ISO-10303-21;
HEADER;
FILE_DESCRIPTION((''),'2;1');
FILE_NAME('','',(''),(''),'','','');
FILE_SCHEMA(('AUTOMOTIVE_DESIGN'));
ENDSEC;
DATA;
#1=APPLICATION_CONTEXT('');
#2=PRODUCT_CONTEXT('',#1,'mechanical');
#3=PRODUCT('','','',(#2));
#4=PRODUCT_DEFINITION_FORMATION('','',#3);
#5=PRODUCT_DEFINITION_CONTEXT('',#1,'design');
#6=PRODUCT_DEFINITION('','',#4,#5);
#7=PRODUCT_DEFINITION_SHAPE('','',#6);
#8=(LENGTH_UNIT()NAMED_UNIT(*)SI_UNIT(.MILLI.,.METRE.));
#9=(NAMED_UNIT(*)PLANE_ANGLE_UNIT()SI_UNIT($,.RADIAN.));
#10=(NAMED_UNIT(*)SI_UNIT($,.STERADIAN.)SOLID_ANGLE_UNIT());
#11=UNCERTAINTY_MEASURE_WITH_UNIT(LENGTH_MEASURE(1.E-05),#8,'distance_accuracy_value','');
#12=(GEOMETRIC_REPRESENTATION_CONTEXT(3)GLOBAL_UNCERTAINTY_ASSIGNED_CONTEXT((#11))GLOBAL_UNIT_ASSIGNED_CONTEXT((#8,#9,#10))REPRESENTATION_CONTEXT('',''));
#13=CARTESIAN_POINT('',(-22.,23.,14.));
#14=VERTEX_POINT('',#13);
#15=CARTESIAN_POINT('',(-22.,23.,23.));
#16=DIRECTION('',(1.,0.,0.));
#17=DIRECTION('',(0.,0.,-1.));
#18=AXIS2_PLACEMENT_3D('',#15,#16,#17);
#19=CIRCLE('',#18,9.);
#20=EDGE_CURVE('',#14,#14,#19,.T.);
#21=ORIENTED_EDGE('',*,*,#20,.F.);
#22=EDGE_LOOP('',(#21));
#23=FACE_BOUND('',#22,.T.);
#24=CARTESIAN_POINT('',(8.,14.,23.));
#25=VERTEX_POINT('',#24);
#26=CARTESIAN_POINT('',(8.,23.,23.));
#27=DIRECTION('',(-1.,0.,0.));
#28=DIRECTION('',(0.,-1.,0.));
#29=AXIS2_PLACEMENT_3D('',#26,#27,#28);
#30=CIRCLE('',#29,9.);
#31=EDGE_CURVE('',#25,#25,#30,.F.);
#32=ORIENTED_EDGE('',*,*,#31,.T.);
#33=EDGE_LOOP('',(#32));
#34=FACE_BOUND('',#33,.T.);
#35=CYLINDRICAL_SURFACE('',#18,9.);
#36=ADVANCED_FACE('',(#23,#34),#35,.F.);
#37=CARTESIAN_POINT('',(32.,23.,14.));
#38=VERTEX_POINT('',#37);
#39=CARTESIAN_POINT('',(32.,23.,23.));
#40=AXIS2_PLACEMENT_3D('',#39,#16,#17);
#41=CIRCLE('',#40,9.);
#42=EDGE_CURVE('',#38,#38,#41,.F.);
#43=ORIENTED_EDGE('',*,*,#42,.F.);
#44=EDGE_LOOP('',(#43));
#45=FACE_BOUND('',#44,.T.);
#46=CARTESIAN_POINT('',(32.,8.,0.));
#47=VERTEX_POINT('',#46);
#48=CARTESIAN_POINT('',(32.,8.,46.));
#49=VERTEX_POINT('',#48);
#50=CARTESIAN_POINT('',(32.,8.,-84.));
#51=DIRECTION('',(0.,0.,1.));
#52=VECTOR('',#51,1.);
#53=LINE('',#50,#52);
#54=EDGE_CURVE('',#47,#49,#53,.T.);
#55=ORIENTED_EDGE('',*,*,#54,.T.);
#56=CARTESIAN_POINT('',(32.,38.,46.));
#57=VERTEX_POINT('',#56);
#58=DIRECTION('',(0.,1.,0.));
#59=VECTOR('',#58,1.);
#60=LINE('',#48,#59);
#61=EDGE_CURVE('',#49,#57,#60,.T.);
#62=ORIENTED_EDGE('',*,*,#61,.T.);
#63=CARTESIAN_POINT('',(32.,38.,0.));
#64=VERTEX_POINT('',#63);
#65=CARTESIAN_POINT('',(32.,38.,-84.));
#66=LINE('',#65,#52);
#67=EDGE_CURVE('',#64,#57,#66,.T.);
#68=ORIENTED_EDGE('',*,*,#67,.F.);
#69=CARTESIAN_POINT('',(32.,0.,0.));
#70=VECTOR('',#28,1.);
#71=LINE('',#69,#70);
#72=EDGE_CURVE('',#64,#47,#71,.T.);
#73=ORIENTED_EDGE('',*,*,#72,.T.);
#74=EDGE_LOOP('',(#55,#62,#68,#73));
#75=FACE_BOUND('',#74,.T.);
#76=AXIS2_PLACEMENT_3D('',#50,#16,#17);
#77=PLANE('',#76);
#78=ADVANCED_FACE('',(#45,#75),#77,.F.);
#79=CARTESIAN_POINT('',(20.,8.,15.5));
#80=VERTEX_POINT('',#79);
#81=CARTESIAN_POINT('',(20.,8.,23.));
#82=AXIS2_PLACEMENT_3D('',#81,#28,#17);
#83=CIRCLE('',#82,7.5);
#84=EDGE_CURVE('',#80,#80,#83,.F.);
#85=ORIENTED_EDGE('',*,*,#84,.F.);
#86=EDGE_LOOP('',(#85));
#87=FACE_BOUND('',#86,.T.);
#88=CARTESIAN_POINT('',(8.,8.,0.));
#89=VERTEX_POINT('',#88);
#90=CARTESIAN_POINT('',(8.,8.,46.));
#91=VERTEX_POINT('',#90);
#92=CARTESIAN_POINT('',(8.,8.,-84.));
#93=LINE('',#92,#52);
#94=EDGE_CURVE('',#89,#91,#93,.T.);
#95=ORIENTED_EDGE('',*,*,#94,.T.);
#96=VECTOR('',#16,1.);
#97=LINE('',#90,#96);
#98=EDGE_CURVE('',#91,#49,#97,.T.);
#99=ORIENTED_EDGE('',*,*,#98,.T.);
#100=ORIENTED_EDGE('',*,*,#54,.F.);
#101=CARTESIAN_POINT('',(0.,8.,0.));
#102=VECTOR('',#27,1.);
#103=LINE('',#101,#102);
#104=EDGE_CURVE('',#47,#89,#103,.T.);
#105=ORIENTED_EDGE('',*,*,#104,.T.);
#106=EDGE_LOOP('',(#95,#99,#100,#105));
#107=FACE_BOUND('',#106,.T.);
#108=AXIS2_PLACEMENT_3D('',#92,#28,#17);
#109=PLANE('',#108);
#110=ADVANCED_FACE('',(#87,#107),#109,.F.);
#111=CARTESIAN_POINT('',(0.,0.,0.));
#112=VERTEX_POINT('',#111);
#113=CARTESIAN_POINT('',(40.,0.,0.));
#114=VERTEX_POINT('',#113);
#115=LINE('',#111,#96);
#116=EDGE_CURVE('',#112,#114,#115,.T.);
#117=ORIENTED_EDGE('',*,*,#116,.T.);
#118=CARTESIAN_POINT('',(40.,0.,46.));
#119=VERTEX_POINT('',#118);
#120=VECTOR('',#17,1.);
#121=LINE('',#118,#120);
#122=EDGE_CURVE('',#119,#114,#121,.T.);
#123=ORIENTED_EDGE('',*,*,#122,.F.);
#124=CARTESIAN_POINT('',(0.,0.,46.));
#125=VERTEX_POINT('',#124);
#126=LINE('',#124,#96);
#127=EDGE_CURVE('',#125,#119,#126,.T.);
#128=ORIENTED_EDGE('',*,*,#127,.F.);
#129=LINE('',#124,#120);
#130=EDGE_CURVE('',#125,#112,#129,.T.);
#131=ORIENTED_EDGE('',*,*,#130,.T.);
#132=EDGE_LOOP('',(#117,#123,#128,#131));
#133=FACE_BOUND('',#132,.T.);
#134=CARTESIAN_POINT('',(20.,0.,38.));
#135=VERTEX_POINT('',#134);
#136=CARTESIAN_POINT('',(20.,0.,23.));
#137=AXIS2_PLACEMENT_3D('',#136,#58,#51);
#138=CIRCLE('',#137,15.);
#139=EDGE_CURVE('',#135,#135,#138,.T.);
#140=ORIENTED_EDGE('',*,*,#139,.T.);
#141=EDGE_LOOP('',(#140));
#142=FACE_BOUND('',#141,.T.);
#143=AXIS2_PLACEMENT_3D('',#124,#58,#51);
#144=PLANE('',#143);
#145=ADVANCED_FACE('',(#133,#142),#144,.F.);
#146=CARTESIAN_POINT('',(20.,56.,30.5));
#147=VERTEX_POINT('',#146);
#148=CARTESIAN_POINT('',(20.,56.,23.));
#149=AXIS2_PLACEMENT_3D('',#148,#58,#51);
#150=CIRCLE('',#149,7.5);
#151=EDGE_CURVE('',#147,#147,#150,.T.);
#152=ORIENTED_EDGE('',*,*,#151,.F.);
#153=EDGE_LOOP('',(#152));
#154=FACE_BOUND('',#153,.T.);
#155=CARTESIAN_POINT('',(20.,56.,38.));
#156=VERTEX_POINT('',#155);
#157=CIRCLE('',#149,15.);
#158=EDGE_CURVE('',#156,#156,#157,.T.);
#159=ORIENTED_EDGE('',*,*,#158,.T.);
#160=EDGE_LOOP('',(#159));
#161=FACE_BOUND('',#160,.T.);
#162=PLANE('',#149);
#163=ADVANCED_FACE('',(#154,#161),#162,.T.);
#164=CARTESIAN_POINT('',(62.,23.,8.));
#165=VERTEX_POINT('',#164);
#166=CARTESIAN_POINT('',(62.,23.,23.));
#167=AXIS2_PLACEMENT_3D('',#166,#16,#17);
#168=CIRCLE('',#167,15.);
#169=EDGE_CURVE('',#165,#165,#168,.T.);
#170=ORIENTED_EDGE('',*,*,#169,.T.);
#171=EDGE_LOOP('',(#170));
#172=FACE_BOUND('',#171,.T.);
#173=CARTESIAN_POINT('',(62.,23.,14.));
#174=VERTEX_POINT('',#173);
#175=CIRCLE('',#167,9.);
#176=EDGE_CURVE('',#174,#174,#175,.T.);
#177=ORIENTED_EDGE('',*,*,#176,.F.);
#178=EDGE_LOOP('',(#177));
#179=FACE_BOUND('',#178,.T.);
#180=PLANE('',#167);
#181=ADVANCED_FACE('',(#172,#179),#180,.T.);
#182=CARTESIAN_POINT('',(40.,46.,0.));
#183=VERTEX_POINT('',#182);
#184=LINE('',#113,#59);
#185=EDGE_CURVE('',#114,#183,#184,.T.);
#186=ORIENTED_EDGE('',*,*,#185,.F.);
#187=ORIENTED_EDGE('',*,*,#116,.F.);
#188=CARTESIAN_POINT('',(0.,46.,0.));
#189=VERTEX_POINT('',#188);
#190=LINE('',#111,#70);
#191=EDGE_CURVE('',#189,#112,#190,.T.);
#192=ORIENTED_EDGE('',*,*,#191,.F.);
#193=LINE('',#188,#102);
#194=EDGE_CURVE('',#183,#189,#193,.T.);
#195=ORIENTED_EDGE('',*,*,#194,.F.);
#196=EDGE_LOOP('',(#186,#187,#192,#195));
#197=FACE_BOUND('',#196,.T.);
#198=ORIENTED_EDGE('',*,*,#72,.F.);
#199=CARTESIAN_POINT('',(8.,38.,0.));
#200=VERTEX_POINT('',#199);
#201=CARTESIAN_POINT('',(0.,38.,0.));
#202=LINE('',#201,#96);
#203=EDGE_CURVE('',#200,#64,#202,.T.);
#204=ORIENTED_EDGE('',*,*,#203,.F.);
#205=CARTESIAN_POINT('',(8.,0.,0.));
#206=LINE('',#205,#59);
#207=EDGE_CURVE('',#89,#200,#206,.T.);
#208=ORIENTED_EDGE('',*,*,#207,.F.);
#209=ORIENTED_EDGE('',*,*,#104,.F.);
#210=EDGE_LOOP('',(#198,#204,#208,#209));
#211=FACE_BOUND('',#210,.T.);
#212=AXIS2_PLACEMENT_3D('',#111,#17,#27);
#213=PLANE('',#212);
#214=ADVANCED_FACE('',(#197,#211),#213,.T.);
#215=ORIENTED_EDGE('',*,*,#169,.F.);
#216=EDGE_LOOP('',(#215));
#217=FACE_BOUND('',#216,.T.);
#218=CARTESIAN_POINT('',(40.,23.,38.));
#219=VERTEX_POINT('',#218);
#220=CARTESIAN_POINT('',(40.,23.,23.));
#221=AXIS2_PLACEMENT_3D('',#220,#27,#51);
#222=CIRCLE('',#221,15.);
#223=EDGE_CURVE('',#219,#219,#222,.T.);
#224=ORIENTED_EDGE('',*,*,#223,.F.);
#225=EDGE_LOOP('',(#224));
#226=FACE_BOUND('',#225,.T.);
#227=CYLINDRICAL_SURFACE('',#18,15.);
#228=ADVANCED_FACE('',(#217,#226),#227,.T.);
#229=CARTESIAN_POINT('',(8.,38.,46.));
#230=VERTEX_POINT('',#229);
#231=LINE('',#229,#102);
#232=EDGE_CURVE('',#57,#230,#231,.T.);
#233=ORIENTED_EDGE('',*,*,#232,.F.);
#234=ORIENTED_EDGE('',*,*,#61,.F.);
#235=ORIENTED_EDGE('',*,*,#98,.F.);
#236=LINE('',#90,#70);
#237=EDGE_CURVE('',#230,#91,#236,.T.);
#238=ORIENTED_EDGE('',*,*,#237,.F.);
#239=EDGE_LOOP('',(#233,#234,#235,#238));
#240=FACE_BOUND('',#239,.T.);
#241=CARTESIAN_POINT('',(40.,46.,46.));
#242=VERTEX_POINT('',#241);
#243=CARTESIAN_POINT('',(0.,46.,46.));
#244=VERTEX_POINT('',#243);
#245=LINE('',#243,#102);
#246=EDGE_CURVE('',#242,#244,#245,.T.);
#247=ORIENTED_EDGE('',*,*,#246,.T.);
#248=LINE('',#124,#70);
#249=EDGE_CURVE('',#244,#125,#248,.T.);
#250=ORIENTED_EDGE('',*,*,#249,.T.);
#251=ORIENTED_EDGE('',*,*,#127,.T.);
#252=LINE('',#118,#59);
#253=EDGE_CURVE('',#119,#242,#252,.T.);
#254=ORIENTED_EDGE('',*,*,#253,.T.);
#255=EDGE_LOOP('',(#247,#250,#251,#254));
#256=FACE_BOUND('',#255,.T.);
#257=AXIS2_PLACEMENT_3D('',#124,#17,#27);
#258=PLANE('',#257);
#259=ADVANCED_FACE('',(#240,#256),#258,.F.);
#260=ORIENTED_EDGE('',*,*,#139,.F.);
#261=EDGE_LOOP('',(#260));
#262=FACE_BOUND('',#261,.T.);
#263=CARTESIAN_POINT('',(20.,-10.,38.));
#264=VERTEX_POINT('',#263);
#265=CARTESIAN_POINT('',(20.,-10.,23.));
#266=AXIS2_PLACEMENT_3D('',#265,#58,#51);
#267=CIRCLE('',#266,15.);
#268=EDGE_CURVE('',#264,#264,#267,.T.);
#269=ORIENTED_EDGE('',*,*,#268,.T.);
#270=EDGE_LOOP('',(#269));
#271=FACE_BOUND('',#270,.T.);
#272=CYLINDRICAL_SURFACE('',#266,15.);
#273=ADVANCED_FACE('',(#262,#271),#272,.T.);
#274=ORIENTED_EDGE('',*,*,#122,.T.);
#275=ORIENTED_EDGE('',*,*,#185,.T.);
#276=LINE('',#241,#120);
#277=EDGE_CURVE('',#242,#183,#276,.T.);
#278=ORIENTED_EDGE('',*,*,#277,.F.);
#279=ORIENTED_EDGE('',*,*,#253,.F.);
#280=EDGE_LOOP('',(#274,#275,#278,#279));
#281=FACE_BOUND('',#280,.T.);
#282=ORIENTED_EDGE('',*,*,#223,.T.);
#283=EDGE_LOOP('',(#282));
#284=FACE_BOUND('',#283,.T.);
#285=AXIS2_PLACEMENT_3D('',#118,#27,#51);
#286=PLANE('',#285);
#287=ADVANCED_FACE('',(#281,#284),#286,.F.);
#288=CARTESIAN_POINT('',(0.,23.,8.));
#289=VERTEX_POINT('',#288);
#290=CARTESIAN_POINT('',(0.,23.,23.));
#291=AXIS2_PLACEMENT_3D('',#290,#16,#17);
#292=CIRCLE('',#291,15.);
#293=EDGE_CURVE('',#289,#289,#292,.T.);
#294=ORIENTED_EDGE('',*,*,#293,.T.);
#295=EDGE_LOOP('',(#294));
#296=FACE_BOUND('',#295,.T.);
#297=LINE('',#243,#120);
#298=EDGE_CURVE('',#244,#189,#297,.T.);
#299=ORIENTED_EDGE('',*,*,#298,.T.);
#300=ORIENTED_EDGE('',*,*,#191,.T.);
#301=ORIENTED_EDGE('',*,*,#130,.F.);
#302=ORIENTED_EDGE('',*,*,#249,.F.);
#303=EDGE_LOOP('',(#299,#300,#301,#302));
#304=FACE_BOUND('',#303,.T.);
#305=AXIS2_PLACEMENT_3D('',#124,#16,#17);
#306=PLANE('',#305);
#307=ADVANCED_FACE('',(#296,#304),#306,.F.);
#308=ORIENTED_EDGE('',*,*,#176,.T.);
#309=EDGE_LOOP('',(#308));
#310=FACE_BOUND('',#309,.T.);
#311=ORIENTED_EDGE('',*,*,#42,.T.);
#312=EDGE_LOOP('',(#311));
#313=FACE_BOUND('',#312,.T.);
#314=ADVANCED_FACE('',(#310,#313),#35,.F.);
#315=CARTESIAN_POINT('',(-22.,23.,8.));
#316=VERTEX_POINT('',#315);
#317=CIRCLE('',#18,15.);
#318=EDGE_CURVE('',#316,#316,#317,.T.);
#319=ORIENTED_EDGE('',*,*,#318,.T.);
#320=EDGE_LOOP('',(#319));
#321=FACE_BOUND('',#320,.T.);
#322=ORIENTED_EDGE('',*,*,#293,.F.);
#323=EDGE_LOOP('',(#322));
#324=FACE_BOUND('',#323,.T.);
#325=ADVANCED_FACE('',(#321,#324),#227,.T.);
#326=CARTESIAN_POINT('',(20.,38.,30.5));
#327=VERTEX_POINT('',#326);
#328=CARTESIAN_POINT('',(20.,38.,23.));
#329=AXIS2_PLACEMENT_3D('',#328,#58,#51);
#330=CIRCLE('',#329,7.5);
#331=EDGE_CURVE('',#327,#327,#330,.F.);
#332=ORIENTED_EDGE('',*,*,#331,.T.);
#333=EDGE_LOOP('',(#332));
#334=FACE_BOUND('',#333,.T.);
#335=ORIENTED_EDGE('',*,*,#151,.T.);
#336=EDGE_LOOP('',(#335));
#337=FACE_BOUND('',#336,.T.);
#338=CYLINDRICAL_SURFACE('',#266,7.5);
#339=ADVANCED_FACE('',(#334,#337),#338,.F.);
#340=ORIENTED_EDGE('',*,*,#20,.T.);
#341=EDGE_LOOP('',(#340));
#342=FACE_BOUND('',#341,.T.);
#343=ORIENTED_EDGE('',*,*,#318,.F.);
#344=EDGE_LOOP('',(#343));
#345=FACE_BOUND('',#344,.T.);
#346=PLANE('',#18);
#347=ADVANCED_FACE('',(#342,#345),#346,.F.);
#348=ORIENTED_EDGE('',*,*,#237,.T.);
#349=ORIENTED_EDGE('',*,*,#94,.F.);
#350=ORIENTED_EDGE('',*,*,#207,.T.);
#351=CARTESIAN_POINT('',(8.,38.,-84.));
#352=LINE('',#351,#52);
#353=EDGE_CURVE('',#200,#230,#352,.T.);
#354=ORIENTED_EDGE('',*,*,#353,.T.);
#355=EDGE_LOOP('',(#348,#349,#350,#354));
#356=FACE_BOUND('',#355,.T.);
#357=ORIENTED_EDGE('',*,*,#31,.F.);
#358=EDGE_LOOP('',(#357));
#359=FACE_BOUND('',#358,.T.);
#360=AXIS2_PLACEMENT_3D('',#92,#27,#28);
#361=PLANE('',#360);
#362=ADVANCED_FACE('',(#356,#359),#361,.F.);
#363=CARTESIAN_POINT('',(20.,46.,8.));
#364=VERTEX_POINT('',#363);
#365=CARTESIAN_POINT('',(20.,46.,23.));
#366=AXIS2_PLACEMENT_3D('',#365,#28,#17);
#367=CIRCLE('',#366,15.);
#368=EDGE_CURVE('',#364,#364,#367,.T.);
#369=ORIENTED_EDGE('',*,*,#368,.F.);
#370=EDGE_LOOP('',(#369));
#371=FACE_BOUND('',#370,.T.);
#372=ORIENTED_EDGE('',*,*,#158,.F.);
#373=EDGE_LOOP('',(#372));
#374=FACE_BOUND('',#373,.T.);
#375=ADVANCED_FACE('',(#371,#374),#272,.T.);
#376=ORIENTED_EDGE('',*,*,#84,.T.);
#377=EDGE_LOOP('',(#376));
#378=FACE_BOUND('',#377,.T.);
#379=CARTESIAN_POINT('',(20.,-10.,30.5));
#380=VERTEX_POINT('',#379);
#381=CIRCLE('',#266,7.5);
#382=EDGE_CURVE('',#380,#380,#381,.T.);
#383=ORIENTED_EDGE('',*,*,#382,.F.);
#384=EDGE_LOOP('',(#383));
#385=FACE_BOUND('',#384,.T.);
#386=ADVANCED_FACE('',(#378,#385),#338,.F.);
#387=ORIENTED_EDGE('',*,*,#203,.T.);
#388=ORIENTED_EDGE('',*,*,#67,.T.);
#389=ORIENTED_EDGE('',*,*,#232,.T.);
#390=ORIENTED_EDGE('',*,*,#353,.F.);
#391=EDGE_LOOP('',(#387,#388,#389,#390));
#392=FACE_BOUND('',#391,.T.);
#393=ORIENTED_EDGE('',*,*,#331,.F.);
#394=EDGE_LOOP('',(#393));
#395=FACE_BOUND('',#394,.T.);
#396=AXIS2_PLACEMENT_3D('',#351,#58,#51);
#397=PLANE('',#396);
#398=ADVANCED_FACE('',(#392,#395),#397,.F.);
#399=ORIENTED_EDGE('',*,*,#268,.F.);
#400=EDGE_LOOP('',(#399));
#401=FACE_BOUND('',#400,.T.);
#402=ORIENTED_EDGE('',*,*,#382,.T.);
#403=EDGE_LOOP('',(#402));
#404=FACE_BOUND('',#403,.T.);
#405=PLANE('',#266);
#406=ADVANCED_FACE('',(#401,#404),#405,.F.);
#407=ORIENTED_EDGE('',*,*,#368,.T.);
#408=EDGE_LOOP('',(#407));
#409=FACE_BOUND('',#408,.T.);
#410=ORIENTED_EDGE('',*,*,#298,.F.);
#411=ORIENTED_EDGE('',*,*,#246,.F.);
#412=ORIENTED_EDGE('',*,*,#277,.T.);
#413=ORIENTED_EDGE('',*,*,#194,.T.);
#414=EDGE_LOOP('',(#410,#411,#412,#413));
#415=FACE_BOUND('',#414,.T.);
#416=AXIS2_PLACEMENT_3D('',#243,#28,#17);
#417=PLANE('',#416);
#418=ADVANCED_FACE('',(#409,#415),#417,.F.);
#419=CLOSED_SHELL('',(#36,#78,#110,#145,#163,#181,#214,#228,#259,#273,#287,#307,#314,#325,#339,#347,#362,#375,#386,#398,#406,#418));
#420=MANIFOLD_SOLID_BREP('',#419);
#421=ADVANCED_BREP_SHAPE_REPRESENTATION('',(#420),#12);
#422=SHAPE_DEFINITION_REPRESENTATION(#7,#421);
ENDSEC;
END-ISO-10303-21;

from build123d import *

# Parameters (mm, degrees)
SKETCH1_W                = 40
SKETCH1_H                = 46
BOSS_EXTRUDE1_DEPTH      = 46
BOSS_EXTRUDE2_DEPTH      = 10
BOSS_EXTRUDE2_DEPTH_BACK = 56
SKETCH2_R                = 15
SKETCH2_R_2              = 7.5
BOSS_EXTRUDE3_DEPTH      = 22
BOSS_EXTRUDE3_DEPTH_BACK = 62
SKETCH3_R                = 15
SKETCH3_R_2              = 9
SKETCH4_R                = 9
CUT_EXTRUDE1_DEPTH       = 130
SKETCH5_R                = 7.5
CUT_EXTRUDE2_DEPTH       = 130
SKETCH6_W                = 24
SKETCH6_H                = 30
CUT_EXTRUDE3_DEPTH       = 130


with BuildPart() as part:
    # Sketch1 → Boss-Extrude1 (new body)
    with BuildSketch(Plane.XY):
        with Locations((20, 23)):
            Rectangle(SKETCH1_W, SKETCH1_H)
    extrude(amount=BOSS_EXTRUDE1_DEPTH)

    # Sketch2 → Boss-Extrude2 (add, two sides: drawn at the far end of the back side and taken through both)
    with BuildSketch(Plane(origin=(0, 46, 0), x_dir=(1, 0, 0), z_dir=(0, 1, 0)).offset(-BOSS_EXTRUDE2_DEPTH_BACK)):
        with Locations(Location((20, -23, 0), (0, 0, 270))):
            Circle(SKETCH2_R)
        with Locations(Location((20, -23, 0), (0, 0, 270))):
            Circle(SKETCH2_R_2, mode=Mode.SUBTRACT)
    extrude(amount=BOSS_EXTRUDE2_DEPTH + BOSS_EXTRUDE2_DEPTH_BACK)

    # Sketch3 → Boss-Extrude3 (add, two sides: drawn at the far end of the back side and taken through both)
    with BuildSketch(Plane(origin=(40, 0, 0), x_dir=(0, 0, -1), z_dir=(1, 0, 0)).offset(-BOSS_EXTRUDE3_DEPTH_BACK)):
        with Locations((-23, 23)):
            Circle(SKETCH3_R)
        with Locations((-23, 23)):
            Circle(SKETCH3_R_2, mode=Mode.SUBTRACT)
    extrude(amount=BOSS_EXTRUDE3_DEPTH + BOSS_EXTRUDE3_DEPTH_BACK)

    # Sketch4 → Cut-Extrude1 (cut)
    with BuildSketch(Plane(origin=(40, 0, 0), x_dir=(0, 0, -1), z_dir=(1, 0, 0))):
        with Locations((-23, 23)):
            Circle(SKETCH4_R)
    extrude(amount=-CUT_EXTRUDE1_DEPTH, mode=Mode.SUBTRACT)

    # Sketch5 → Cut-Extrude2 (cut)
    with BuildSketch(Plane(origin=(0, 46, 0), x_dir=(1, 0, 0), z_dir=(0, 1, 0))):
        with Locations(Location((20, -23, 0), (0, 0, 270))):
            Circle(SKETCH5_R)
    extrude(amount=-CUT_EXTRUDE2_DEPTH, mode=Mode.SUBTRACT)

    # Sketch6 → Cut-Extrude3 (cut)
    with BuildSketch(Plane.XY.offset(46)):
        with Locations((20, 23)):
            Rectangle(SKETCH6_W, SKETCH6_H)
    extrude(amount=-CUT_EXTRUDE3_DEPTH, mode=Mode.SUBTRACT)


solid = part.part
